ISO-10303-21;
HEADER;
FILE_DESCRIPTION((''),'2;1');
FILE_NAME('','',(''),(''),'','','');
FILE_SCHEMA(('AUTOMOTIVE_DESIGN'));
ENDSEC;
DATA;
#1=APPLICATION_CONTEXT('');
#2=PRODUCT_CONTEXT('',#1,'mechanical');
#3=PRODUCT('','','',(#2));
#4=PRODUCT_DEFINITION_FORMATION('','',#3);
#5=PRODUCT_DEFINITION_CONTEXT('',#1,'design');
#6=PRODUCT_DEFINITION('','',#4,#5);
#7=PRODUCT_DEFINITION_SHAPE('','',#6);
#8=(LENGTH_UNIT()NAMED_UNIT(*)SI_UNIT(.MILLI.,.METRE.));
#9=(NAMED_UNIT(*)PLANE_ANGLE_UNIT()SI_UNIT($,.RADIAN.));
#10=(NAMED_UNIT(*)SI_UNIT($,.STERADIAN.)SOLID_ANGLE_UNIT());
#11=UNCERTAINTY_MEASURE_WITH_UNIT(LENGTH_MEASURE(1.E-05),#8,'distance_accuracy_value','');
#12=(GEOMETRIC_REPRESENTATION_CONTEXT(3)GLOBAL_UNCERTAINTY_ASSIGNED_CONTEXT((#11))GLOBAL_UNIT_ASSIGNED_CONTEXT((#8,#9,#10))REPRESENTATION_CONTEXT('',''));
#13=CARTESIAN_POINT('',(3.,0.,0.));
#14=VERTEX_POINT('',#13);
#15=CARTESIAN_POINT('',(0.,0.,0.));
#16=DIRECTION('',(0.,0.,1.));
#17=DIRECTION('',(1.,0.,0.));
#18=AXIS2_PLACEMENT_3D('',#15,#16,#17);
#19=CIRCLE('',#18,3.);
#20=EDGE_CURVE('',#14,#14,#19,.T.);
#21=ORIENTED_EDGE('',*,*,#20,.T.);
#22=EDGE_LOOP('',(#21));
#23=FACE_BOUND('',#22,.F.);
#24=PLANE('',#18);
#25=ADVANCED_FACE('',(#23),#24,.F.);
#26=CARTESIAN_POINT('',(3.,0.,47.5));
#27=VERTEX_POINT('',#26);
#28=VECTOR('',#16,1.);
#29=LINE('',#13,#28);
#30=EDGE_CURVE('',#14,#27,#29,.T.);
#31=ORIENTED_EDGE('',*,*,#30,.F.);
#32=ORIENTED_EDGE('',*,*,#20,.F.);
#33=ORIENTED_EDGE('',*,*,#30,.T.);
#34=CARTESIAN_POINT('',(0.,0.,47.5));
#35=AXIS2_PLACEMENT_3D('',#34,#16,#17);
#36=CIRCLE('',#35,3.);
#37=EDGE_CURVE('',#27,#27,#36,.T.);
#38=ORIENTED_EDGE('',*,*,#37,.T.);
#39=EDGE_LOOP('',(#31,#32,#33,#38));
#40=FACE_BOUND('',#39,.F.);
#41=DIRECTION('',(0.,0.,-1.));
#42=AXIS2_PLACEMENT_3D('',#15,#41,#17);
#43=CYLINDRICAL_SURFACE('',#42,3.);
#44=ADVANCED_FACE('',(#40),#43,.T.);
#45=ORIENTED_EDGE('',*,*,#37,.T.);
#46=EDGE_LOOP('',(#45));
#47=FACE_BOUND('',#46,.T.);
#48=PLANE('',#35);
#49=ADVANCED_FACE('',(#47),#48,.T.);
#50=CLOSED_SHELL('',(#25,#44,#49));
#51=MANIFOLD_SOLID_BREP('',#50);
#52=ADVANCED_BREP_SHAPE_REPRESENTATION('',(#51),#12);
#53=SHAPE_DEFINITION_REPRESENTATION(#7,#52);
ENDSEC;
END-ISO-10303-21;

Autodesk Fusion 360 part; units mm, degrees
sketch "Sketch1" plane through (0, 0, 0) normal (0, 0, 1) x (1, 0, 0)
  circle A0 centre (0, 0) radius 3
  dimension "d1" = 6
extrude "Extrude1" add sketch "Sketch1" along normal blind 47.5
